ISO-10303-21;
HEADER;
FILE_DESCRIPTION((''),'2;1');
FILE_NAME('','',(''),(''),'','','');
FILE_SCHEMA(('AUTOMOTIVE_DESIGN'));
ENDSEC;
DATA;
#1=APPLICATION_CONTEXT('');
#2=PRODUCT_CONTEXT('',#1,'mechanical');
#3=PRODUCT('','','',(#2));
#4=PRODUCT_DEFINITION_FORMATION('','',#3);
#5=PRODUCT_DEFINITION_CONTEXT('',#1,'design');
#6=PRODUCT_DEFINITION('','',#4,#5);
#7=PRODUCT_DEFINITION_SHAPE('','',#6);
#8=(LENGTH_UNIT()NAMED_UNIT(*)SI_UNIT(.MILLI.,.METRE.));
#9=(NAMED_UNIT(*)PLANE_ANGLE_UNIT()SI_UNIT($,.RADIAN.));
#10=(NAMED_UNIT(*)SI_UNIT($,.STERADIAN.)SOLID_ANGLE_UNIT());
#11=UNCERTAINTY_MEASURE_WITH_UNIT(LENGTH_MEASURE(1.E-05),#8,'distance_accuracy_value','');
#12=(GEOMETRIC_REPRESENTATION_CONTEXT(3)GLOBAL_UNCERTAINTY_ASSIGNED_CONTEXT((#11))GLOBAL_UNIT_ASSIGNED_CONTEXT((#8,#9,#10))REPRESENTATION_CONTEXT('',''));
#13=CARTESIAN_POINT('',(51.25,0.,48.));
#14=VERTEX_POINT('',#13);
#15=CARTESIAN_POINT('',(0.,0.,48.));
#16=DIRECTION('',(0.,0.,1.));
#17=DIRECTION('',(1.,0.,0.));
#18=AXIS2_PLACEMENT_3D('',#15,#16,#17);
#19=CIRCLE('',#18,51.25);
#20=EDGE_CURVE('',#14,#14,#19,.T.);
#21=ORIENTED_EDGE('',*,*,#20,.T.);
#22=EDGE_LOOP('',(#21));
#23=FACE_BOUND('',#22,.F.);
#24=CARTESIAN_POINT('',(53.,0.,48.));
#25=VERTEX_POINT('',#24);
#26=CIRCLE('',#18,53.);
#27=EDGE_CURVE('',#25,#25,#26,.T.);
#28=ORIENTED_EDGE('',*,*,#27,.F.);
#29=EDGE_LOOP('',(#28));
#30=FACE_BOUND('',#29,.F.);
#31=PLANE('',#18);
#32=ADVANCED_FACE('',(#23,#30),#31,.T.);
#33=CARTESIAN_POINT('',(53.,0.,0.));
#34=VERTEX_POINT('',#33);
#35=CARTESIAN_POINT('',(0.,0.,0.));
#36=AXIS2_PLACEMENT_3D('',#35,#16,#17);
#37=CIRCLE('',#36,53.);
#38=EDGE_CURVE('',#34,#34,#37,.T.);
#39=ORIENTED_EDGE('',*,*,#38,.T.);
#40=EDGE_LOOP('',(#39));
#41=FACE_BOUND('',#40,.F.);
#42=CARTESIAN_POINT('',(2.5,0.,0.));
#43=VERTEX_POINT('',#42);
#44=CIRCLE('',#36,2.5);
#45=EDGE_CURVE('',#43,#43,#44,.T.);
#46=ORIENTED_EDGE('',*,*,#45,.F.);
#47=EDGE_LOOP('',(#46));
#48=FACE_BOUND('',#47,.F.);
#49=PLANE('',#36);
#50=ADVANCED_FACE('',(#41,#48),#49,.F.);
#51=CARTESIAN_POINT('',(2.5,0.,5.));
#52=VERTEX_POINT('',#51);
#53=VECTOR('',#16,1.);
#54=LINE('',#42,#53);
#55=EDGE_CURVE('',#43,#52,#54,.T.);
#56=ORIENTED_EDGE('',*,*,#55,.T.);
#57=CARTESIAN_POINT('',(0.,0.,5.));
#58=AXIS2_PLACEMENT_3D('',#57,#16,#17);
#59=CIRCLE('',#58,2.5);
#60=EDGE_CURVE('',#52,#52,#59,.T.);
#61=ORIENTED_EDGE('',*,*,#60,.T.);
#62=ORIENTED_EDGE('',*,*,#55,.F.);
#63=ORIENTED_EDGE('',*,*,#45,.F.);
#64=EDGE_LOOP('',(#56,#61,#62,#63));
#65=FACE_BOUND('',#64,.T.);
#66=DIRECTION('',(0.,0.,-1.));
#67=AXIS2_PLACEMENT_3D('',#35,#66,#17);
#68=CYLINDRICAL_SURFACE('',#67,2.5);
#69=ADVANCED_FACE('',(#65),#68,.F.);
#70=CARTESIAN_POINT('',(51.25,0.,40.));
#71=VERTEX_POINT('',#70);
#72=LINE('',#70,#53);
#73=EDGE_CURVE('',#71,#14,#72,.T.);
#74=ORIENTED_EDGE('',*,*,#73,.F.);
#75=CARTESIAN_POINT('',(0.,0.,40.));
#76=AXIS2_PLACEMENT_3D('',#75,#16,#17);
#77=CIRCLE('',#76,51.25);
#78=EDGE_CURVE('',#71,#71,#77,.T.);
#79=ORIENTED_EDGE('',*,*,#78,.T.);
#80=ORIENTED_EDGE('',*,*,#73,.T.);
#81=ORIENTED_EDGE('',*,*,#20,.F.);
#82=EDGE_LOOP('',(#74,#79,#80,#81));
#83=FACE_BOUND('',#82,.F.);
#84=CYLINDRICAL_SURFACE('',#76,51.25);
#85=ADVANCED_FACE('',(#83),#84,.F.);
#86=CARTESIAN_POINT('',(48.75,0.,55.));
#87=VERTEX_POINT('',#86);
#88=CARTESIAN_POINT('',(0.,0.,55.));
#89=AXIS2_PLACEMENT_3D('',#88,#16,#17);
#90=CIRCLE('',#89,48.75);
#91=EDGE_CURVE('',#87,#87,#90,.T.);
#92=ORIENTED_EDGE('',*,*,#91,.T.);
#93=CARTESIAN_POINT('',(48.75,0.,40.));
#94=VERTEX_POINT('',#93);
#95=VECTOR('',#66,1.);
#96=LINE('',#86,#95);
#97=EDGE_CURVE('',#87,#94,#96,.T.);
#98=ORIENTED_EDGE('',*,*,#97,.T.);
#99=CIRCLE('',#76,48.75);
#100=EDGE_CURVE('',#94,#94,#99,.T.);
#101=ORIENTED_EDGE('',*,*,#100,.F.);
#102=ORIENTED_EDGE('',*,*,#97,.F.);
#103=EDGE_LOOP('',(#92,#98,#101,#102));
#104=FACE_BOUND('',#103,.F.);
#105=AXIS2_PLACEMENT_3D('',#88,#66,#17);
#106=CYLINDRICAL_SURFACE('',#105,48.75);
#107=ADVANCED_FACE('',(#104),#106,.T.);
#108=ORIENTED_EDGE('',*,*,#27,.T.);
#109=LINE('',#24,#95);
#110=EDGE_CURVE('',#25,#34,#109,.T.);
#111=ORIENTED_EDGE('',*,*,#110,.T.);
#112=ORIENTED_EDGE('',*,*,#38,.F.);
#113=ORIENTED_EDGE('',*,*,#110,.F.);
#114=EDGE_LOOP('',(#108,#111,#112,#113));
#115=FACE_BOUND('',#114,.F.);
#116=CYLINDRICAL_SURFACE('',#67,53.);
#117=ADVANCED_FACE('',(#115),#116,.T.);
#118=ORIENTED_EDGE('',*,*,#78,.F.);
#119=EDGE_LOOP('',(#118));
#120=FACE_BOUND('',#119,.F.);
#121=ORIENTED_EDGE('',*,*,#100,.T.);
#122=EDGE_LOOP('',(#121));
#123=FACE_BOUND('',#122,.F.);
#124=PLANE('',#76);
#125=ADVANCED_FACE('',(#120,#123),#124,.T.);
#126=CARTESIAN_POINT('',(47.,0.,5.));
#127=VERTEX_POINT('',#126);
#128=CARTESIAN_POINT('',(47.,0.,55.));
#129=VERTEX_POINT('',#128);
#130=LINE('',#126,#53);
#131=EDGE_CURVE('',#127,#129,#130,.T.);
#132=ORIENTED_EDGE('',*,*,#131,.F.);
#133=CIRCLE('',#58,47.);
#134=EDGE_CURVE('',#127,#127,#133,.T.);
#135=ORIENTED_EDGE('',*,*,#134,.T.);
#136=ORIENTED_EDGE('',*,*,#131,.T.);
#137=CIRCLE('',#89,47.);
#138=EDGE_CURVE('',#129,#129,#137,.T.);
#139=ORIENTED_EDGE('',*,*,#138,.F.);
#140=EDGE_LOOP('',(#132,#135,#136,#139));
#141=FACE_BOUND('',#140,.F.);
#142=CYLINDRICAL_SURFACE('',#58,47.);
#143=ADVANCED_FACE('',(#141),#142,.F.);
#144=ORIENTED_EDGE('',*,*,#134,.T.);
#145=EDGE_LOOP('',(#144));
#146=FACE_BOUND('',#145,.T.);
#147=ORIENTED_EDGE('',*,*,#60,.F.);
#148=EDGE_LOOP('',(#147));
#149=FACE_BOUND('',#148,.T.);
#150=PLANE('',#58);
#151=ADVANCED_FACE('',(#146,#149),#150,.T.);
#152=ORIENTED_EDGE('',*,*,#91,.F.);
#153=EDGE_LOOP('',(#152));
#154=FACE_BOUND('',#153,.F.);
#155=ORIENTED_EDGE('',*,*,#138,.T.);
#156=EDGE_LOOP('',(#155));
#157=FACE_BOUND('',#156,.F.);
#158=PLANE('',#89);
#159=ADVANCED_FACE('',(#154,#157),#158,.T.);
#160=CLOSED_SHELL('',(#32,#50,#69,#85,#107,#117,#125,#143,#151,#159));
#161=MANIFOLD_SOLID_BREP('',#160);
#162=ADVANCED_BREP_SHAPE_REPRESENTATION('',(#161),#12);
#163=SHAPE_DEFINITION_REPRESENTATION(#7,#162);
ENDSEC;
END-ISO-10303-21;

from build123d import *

# Parameters (mm, degrees)
SKETCH_R   = 53
SKETCH_R_2 = 2.5
PAD_DEPTH  = 5


with BuildPart() as part:
    # Sketch → Pad (new body)
    with BuildSketch(Plane.XY):
        Circle(SKETCH_R)
        Circle(SKETCH_R_2, mode=Mode.SUBTRACT)
    extrude(amount=PAD_DEPTH)

    # Sketch001 → Revolution (revolve)
    with BuildSketch(Plane.XZ):
        Polygon((53, 5), (47, 5), (47, 55), (48.75, 55), (48.75, 40), (51.25, 40), (51.25, 48), (53, 48), align=None)
    revolve(axis=Axis((0, 0, 0), (0, 0, 1)))


solid = part.part
